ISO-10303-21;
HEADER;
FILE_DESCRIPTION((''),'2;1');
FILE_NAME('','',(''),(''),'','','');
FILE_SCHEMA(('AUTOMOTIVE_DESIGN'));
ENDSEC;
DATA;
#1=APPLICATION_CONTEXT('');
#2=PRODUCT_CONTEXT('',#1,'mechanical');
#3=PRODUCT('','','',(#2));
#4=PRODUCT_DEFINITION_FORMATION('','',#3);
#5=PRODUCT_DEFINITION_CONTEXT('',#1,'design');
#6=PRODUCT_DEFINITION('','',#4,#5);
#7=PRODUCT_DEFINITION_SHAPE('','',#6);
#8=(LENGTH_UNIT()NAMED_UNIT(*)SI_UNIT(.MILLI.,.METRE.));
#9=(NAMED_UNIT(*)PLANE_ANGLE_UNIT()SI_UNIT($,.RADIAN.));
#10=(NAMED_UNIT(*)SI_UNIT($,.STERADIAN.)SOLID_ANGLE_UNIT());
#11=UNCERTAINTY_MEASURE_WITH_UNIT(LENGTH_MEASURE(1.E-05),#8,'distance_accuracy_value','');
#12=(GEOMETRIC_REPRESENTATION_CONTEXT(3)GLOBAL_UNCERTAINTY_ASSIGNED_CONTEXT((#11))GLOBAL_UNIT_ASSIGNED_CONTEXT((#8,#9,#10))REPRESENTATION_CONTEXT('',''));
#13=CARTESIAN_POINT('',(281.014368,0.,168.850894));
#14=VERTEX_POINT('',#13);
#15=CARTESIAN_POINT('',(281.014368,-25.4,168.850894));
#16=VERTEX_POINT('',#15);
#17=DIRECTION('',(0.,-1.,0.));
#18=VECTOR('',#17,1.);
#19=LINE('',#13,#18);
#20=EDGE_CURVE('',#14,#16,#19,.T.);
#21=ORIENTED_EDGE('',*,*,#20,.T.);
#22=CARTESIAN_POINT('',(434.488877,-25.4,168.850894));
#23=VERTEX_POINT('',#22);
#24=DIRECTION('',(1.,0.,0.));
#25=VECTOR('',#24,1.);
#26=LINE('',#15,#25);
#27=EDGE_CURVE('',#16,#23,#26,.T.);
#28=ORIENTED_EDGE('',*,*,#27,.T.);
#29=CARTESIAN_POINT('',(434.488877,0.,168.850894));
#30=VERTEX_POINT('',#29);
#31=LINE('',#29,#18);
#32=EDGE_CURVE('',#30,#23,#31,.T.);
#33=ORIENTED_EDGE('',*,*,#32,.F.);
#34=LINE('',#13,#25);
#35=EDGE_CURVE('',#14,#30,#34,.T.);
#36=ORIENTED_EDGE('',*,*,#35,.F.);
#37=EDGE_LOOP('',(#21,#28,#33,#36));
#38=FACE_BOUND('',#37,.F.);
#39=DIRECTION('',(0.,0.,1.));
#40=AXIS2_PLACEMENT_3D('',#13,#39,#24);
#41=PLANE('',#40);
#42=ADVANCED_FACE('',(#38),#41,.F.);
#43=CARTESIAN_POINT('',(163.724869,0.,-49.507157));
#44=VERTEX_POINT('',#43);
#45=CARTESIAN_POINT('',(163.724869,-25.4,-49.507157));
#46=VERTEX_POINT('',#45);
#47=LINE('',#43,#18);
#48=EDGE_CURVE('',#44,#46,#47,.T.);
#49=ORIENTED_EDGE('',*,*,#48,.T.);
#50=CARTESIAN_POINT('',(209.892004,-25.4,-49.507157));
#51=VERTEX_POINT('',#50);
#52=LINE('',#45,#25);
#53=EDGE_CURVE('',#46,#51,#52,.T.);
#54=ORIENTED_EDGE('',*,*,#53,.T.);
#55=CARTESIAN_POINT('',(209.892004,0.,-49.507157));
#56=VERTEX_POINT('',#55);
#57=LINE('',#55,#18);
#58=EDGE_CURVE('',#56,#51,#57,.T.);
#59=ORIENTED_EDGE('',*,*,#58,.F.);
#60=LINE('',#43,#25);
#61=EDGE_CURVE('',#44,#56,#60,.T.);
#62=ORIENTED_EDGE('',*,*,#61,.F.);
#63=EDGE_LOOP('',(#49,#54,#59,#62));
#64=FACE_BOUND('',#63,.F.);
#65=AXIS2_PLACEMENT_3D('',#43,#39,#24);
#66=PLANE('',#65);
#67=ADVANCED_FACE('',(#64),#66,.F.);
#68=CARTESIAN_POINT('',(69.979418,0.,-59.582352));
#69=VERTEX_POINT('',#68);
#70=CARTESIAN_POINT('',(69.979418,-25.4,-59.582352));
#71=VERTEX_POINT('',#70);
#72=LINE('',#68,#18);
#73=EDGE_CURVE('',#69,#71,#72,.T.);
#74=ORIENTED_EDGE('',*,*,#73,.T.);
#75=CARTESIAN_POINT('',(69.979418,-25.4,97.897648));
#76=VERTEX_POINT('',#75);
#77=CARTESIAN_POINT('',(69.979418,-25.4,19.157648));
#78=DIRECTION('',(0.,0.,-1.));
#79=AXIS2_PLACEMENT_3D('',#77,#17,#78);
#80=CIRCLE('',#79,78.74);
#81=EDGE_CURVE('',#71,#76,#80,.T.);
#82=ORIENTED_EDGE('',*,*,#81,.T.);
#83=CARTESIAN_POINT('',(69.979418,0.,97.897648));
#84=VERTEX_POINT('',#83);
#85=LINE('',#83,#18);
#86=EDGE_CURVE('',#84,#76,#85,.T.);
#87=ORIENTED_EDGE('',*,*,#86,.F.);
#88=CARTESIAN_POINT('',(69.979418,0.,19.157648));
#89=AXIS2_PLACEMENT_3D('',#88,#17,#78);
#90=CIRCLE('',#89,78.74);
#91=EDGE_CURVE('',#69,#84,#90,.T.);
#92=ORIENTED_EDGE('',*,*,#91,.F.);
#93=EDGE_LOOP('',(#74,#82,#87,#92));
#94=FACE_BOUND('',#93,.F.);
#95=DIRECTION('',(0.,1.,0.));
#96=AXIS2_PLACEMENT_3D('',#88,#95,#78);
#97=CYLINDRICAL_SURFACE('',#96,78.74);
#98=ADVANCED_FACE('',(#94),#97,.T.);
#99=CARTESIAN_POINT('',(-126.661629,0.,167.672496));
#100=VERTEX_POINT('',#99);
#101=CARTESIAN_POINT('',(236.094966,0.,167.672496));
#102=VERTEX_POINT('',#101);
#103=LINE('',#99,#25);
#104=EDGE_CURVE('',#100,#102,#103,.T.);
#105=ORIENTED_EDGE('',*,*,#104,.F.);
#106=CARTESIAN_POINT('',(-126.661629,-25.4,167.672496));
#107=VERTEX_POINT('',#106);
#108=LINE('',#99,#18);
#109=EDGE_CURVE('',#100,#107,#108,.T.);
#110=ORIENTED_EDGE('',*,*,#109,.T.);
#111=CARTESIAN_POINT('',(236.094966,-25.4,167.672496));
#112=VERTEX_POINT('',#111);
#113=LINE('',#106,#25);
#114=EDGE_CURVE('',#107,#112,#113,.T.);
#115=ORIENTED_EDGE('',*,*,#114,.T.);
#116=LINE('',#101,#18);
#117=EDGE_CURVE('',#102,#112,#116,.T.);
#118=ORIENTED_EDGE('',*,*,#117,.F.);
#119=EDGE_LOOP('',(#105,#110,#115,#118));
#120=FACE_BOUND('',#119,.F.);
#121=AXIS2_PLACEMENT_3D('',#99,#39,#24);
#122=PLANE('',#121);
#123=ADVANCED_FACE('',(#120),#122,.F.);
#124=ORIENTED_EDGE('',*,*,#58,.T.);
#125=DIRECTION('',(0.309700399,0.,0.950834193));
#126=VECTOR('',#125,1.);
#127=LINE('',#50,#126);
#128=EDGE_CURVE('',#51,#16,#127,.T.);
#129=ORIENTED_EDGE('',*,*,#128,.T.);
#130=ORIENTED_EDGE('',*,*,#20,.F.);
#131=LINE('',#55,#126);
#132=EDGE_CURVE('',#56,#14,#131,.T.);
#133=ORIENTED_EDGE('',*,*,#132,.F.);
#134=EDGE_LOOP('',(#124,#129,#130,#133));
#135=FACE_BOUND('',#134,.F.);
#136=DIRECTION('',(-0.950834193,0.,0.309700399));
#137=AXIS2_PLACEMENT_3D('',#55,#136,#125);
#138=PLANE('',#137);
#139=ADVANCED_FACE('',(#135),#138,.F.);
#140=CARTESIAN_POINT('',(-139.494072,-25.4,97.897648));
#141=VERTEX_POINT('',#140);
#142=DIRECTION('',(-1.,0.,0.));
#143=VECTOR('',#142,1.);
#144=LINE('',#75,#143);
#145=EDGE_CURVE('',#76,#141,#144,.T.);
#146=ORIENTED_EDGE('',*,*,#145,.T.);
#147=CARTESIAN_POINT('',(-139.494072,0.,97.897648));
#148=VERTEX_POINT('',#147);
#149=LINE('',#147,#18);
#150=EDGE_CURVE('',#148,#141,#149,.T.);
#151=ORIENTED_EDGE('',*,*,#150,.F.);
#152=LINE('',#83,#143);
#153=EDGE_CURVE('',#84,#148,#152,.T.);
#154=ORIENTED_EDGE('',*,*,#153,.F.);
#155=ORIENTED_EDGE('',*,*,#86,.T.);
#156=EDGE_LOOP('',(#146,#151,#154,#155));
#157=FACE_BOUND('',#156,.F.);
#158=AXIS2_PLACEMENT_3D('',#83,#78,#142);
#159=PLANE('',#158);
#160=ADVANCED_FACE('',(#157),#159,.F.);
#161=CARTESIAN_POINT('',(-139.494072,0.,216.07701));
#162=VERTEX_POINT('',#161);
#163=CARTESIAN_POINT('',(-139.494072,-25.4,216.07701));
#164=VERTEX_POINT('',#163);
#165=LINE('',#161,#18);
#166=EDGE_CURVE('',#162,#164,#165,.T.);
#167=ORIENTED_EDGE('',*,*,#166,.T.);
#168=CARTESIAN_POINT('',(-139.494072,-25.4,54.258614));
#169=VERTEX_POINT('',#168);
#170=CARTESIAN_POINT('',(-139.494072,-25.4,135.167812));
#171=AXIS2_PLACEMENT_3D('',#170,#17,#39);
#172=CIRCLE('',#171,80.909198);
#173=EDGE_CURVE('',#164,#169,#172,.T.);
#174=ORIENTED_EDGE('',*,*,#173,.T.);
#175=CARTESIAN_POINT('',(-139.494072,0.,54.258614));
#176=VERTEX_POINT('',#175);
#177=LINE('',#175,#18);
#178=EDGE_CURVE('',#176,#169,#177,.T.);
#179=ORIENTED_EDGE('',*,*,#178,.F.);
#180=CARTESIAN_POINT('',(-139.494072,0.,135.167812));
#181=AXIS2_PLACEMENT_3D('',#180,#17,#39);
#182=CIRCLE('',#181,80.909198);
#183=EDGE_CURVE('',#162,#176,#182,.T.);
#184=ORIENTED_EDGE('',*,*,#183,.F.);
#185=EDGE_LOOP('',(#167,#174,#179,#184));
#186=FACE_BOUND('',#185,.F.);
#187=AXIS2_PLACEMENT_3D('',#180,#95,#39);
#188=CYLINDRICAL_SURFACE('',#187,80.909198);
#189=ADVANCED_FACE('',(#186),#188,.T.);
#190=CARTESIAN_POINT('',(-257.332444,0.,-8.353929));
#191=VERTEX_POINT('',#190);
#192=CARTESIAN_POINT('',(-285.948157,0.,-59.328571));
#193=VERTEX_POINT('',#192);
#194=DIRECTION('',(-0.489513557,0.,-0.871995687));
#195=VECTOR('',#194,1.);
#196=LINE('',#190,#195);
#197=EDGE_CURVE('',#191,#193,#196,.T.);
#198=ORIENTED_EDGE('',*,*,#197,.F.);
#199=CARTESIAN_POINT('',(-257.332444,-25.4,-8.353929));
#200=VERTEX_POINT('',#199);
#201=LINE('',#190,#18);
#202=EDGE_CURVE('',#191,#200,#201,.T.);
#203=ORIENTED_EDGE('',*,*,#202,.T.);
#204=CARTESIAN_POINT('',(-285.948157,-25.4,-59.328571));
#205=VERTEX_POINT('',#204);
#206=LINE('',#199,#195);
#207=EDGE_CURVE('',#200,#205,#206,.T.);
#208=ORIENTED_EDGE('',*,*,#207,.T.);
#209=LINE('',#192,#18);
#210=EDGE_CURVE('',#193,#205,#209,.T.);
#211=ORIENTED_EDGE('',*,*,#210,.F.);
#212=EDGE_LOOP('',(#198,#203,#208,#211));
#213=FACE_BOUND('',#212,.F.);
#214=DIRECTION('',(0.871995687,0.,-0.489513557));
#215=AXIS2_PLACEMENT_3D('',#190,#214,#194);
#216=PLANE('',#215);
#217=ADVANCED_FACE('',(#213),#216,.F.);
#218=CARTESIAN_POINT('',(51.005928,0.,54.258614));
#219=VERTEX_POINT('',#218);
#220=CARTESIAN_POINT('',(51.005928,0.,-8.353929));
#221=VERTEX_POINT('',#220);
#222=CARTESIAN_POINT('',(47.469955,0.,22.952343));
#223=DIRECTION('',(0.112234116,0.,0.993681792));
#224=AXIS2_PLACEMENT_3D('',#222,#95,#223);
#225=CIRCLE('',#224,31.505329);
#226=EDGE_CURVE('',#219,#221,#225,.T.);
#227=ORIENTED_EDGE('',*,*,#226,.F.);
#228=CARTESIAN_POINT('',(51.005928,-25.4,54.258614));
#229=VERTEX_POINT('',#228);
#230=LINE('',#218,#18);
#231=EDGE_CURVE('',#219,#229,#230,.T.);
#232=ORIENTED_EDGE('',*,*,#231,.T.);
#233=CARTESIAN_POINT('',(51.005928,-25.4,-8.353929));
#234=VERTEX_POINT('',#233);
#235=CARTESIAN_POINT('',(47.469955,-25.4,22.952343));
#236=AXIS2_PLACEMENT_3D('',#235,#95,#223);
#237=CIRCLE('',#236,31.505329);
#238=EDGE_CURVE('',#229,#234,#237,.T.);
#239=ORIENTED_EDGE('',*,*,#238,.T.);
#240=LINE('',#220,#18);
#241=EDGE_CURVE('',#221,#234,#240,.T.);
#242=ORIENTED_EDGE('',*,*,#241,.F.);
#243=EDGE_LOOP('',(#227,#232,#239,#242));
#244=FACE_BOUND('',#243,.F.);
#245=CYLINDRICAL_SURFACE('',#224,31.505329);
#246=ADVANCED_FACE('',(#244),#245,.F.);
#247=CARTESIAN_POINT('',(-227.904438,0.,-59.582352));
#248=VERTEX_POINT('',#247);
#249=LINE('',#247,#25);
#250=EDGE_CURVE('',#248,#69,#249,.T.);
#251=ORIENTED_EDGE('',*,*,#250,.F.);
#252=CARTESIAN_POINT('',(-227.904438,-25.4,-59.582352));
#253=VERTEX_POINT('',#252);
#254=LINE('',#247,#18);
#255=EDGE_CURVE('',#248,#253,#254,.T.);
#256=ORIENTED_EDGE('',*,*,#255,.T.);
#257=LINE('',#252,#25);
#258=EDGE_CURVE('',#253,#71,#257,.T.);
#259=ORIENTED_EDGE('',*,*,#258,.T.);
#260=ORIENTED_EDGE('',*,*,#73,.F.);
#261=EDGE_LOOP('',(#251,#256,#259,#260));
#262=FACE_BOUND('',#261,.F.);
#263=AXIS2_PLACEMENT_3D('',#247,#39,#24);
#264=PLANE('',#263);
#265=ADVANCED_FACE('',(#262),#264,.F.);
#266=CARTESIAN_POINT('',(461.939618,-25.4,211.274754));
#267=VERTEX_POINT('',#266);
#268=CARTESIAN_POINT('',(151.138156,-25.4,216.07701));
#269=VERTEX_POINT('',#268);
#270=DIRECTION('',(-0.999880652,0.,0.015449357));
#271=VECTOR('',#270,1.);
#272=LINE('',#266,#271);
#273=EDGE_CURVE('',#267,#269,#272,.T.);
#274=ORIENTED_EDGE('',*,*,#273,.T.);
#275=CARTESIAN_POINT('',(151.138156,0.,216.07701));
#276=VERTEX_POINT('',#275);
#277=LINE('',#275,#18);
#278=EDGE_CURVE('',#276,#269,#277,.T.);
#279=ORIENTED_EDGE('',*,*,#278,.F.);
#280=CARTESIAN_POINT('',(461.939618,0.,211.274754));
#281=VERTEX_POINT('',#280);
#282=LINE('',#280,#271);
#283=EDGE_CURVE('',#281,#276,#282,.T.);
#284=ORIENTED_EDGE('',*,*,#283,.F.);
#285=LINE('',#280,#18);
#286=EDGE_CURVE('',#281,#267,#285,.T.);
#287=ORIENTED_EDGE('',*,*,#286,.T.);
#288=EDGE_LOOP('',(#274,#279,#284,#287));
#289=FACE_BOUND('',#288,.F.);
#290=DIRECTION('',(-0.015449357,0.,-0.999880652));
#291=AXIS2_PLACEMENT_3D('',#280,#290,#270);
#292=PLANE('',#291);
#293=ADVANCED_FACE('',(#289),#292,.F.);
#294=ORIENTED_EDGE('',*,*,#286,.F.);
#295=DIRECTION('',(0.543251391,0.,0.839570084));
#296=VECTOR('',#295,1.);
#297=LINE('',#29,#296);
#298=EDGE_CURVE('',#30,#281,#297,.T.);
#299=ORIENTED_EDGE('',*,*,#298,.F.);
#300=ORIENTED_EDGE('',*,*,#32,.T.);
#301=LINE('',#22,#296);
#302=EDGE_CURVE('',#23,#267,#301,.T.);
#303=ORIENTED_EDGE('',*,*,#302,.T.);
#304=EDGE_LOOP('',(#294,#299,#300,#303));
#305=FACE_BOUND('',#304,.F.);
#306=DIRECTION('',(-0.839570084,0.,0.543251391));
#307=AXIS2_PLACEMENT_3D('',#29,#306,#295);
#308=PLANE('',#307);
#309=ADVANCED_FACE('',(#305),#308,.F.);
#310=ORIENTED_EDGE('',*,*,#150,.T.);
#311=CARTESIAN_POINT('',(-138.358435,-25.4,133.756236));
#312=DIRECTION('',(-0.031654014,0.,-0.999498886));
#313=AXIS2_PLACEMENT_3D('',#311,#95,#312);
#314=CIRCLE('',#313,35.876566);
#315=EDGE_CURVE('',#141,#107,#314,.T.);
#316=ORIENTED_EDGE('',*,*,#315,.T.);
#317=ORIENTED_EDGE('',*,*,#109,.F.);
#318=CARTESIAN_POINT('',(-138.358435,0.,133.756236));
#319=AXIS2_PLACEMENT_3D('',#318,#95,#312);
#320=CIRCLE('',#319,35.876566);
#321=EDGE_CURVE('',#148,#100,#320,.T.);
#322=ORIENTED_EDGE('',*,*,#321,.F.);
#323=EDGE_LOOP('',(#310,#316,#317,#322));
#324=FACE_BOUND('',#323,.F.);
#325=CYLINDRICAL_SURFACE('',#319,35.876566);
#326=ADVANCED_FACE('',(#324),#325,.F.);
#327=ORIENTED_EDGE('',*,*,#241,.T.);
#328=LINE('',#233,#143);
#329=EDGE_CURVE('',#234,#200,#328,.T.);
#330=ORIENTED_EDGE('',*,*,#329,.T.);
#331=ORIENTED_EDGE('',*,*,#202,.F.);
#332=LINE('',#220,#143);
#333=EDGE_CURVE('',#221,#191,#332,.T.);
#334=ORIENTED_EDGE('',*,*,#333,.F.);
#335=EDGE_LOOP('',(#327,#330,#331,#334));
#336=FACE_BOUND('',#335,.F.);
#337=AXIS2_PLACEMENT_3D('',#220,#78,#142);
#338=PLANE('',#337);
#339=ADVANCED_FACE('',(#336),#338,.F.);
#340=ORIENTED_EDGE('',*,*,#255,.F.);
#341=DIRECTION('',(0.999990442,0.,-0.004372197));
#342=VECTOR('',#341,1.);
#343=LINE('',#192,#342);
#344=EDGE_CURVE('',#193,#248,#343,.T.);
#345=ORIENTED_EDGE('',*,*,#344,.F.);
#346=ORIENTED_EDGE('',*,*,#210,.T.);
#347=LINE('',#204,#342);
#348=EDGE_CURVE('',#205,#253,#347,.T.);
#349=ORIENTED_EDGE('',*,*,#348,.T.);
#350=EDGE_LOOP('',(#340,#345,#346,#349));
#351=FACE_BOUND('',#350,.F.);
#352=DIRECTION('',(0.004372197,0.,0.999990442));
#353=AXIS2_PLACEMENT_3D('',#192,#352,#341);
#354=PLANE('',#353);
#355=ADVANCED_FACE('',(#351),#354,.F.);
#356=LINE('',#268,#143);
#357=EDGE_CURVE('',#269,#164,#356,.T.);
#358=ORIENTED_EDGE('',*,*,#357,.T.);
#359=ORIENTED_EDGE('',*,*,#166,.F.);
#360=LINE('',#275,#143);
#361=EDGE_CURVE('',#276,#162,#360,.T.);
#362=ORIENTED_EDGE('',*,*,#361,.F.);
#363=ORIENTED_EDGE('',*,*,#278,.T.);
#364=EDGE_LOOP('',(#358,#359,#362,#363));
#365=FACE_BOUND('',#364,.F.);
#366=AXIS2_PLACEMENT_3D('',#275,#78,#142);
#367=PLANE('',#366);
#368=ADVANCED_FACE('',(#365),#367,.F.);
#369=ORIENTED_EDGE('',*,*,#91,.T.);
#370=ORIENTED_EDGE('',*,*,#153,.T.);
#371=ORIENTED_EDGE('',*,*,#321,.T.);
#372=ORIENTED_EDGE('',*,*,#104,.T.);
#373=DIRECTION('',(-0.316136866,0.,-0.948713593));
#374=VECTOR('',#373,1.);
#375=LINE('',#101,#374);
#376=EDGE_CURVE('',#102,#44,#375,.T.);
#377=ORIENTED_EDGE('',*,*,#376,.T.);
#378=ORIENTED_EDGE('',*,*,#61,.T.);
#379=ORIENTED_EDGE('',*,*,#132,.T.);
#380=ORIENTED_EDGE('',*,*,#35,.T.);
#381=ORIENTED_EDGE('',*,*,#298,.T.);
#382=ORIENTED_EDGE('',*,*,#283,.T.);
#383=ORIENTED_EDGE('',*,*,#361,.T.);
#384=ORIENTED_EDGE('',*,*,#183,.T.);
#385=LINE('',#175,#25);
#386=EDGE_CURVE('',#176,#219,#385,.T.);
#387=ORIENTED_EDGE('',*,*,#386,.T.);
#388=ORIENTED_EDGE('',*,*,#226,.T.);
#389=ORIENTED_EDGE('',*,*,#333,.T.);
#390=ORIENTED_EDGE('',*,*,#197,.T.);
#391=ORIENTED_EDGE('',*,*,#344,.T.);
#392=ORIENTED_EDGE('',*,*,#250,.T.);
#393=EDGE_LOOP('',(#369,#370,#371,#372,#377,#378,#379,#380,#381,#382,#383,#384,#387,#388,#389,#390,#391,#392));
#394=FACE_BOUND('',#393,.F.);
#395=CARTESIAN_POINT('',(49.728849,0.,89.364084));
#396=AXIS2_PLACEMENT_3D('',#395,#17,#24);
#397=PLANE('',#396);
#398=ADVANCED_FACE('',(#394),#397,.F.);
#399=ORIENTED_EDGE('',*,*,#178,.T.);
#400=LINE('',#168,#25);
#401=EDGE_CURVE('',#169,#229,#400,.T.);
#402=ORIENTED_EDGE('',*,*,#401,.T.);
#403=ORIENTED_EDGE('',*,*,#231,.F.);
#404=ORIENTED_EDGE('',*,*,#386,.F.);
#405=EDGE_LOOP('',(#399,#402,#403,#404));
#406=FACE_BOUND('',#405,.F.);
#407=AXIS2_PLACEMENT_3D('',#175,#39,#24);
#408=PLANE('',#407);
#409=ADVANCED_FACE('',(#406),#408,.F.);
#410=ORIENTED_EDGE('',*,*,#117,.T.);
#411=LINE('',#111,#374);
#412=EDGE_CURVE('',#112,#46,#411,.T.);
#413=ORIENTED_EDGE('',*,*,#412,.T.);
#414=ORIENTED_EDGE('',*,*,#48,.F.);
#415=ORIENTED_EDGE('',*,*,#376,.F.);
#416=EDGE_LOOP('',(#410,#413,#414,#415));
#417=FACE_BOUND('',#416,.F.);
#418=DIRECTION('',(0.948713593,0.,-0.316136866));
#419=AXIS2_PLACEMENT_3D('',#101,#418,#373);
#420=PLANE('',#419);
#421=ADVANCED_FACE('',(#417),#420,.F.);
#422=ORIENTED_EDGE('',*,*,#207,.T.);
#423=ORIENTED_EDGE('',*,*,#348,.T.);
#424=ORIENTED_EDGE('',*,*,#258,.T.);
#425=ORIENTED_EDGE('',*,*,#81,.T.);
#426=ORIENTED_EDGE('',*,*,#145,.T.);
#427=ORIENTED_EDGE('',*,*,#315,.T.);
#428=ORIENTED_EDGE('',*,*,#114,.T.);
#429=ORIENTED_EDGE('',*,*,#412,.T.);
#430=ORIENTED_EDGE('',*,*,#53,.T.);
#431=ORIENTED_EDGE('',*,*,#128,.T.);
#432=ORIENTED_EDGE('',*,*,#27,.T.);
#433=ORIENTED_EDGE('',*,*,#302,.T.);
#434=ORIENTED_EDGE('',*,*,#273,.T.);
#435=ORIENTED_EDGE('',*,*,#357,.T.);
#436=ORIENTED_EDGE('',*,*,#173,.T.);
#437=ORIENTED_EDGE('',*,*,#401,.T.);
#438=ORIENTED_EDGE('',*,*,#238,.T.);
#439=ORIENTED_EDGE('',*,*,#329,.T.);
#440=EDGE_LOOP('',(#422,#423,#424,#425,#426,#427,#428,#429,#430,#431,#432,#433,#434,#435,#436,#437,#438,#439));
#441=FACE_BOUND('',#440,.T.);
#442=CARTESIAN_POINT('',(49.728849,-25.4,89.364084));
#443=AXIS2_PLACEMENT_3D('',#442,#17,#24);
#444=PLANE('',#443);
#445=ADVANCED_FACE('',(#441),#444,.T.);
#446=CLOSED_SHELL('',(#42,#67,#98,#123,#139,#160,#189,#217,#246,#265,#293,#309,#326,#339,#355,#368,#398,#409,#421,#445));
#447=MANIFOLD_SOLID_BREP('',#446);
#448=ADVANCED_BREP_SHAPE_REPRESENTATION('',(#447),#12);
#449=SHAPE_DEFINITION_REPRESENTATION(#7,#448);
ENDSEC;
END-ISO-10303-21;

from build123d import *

# Parameters (mm, degrees)
F1_DEPTH = 25.4


with BuildPart() as f1:
    # F0 (on Front) → F1 (new body)
    with BuildSketch(Plane.XZ):
        with BuildLine():
            Line((-285.948157, -59.328571), (-227.904438, -59.582352))
            Line((-227.904438, -59.582352), (-22.990704, -59.582352))
            Line((-22.990704, -59.582352), (69.979418, -59.582352))
            ThreePointArc((69.979418, -59.582352), (148.719418, 19.157648), (69.979418, 97.897648))
            Line((69.979418, 97.897648), (-137.222798, 97.897648))
            ThreePointArc((-137.222798, 97.897648), (-138.358435, 97.879669), (-139.494072, 97.897648))
            ThreePointArc((-139.494072, 97.897648), (-173.643232, 140.245539), (-126.661629, 167.672496))
            Line((-126.661629, 167.672496), (213.635295, 167.672496))
            Line((213.635295, 167.672496), (236.094966, 167.672496))
            Line((236.094966, 167.672496), (163.724869, -49.507157))
            Line((163.724869, -49.507157), (209.892004, -49.507157))
            Line((209.892004, -49.507157), (281.014368, 168.850894))
            Line((281.014368, 168.850894), (434.488877, 168.850894))
            Line((434.488877, 168.850894), (461.939618, 211.274754))
            Line((461.939618, 211.274754), (151.138156, 216.07701))
            Line((151.138156, 216.07701), (-139.494072, 216.07701))
            ThreePointArc((-139.494072, 216.07701), (-220.40327, 135.167812), (-139.494072, 54.258614))
            Line((-139.494072, 54.258614), (51.005928, 54.258614))
            ThreePointArc((51.005928, 54.258614), (78.975284, 22.952343), (51.005928, -8.353929))
            ThreePointArc((51.005928, -8.353929), (47.469956, -8.552986), (43.933983, -8.353929))
            Line((43.933983, -8.353929), (-189.957458, -8.353929))
            Line((-189.957458, -8.353929), (-257.332444, -8.353929))
            Line((-257.332444, -8.353929), (-285.948157, -59.328571))
        make_face()
        with BuildLine():
            ThreePointArc((-139.494072, 97.897648), (-138.358435, 97.879669), (-137.222798, 97.897648))
            Line((-137.222798, 97.897648), (-139.494072, 97.897648))
        make_face()
        with BuildLine():
            Line((51.005928, -8.353929), (43.933983, -8.353929))
            ThreePointArc((43.933983, -8.353929), (47.469956, -8.552986), (51.005928, -8.353929))
        make_face()
    extrude(amount=F1_DEPTH)


solid = f1.part
